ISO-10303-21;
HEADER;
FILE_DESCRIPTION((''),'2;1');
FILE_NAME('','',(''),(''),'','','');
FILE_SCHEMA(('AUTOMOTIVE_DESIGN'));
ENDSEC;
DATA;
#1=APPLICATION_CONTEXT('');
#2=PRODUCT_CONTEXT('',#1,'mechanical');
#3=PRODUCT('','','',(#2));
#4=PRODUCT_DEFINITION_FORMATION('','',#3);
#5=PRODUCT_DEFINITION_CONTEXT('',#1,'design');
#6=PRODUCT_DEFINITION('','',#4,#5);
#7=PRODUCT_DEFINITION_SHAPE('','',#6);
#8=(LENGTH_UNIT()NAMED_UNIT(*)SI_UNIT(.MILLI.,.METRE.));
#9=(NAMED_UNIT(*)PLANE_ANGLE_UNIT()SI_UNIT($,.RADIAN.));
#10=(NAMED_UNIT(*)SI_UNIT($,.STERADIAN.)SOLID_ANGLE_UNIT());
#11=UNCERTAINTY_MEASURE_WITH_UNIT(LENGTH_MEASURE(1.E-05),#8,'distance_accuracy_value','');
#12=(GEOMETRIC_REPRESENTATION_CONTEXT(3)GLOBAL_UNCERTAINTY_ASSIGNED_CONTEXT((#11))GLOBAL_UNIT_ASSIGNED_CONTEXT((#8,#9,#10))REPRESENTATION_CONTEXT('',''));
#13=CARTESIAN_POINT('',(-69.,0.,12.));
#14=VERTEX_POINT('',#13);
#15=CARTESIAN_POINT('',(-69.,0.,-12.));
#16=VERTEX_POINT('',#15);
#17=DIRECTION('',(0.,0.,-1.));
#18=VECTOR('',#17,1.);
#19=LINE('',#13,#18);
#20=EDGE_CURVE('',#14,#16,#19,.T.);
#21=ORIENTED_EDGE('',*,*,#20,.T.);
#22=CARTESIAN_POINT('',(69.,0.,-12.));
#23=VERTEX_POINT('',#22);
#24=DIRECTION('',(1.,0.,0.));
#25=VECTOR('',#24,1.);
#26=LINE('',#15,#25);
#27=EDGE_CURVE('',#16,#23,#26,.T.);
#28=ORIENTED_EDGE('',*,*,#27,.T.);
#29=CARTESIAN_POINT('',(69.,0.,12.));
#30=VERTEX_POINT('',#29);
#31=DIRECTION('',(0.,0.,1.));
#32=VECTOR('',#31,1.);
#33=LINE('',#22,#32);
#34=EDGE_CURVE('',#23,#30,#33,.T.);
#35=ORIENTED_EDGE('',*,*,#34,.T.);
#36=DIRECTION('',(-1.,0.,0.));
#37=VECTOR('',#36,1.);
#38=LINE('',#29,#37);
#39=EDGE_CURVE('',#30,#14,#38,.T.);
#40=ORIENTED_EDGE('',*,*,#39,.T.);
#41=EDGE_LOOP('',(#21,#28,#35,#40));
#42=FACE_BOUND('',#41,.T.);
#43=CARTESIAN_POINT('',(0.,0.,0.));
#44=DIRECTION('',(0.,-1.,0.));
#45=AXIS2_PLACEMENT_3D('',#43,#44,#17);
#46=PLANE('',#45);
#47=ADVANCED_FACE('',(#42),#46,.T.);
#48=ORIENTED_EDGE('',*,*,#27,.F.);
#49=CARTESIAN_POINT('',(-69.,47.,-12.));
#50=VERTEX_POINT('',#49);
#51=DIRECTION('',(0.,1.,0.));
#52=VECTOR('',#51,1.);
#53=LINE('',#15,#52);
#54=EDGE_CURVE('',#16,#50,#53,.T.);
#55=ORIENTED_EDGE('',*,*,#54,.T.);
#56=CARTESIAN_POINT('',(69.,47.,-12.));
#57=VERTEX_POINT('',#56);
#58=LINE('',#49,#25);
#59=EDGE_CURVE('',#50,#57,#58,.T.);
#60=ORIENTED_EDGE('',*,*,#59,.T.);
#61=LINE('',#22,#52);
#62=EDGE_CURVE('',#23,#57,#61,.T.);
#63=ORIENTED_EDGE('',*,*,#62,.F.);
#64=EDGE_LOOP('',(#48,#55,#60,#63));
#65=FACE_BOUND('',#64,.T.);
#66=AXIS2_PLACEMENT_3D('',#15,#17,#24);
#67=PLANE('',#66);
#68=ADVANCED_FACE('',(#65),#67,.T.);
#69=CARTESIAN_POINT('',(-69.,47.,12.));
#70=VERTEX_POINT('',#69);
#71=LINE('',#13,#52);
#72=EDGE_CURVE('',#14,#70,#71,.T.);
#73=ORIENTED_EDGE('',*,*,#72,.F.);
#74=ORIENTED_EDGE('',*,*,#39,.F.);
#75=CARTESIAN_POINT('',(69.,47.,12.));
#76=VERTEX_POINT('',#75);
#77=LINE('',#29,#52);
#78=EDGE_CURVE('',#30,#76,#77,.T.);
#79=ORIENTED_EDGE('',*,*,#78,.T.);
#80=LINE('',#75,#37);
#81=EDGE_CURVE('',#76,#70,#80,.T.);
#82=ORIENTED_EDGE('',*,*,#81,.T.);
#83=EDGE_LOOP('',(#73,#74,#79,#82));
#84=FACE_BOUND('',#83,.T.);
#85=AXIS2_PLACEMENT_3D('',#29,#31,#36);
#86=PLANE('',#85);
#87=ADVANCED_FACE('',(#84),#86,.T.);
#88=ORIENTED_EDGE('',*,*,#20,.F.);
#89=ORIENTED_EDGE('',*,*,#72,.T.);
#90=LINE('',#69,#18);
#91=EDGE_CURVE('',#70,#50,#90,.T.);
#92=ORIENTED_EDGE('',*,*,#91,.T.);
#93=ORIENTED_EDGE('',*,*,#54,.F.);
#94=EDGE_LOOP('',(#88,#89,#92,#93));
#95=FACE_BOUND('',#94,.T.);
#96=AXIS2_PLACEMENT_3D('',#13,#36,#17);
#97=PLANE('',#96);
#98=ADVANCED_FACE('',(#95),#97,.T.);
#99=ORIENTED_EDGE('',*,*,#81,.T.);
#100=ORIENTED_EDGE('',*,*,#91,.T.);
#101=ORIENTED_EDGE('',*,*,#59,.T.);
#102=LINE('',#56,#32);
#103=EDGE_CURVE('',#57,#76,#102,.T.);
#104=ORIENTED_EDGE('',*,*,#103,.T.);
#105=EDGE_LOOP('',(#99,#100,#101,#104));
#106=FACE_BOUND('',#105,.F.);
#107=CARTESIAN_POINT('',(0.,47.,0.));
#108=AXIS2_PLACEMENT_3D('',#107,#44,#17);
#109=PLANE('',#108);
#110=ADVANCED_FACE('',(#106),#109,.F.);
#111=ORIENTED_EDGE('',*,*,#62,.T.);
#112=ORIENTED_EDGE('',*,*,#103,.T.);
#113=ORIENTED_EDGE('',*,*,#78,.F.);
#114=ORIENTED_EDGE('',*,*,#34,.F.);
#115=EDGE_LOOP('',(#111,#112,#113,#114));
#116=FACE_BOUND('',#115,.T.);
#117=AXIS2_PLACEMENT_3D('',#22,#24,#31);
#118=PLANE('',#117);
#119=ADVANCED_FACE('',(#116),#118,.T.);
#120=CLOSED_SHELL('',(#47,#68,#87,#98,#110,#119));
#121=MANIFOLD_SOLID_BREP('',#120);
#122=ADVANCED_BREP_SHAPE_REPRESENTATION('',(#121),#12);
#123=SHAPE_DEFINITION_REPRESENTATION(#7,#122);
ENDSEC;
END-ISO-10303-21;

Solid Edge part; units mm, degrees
sketch "Sketch1" plane through (0, 0, 0) normal (0, -1, 0) x (1, 0, 0)
  line L0 (69, 12) -> (-69, 12)
  line L1 (-69, 12) -> (-69, -12)
  line L2 (-69, -12) -> (69, -12)
  line L3 (69, -12) -> (69, 12)
extrude "ExtrudedProtrusion_2" add sketch "Sketch1" against normal blind 47
properties material "Zeee_LIPI_5200mah_4s"
